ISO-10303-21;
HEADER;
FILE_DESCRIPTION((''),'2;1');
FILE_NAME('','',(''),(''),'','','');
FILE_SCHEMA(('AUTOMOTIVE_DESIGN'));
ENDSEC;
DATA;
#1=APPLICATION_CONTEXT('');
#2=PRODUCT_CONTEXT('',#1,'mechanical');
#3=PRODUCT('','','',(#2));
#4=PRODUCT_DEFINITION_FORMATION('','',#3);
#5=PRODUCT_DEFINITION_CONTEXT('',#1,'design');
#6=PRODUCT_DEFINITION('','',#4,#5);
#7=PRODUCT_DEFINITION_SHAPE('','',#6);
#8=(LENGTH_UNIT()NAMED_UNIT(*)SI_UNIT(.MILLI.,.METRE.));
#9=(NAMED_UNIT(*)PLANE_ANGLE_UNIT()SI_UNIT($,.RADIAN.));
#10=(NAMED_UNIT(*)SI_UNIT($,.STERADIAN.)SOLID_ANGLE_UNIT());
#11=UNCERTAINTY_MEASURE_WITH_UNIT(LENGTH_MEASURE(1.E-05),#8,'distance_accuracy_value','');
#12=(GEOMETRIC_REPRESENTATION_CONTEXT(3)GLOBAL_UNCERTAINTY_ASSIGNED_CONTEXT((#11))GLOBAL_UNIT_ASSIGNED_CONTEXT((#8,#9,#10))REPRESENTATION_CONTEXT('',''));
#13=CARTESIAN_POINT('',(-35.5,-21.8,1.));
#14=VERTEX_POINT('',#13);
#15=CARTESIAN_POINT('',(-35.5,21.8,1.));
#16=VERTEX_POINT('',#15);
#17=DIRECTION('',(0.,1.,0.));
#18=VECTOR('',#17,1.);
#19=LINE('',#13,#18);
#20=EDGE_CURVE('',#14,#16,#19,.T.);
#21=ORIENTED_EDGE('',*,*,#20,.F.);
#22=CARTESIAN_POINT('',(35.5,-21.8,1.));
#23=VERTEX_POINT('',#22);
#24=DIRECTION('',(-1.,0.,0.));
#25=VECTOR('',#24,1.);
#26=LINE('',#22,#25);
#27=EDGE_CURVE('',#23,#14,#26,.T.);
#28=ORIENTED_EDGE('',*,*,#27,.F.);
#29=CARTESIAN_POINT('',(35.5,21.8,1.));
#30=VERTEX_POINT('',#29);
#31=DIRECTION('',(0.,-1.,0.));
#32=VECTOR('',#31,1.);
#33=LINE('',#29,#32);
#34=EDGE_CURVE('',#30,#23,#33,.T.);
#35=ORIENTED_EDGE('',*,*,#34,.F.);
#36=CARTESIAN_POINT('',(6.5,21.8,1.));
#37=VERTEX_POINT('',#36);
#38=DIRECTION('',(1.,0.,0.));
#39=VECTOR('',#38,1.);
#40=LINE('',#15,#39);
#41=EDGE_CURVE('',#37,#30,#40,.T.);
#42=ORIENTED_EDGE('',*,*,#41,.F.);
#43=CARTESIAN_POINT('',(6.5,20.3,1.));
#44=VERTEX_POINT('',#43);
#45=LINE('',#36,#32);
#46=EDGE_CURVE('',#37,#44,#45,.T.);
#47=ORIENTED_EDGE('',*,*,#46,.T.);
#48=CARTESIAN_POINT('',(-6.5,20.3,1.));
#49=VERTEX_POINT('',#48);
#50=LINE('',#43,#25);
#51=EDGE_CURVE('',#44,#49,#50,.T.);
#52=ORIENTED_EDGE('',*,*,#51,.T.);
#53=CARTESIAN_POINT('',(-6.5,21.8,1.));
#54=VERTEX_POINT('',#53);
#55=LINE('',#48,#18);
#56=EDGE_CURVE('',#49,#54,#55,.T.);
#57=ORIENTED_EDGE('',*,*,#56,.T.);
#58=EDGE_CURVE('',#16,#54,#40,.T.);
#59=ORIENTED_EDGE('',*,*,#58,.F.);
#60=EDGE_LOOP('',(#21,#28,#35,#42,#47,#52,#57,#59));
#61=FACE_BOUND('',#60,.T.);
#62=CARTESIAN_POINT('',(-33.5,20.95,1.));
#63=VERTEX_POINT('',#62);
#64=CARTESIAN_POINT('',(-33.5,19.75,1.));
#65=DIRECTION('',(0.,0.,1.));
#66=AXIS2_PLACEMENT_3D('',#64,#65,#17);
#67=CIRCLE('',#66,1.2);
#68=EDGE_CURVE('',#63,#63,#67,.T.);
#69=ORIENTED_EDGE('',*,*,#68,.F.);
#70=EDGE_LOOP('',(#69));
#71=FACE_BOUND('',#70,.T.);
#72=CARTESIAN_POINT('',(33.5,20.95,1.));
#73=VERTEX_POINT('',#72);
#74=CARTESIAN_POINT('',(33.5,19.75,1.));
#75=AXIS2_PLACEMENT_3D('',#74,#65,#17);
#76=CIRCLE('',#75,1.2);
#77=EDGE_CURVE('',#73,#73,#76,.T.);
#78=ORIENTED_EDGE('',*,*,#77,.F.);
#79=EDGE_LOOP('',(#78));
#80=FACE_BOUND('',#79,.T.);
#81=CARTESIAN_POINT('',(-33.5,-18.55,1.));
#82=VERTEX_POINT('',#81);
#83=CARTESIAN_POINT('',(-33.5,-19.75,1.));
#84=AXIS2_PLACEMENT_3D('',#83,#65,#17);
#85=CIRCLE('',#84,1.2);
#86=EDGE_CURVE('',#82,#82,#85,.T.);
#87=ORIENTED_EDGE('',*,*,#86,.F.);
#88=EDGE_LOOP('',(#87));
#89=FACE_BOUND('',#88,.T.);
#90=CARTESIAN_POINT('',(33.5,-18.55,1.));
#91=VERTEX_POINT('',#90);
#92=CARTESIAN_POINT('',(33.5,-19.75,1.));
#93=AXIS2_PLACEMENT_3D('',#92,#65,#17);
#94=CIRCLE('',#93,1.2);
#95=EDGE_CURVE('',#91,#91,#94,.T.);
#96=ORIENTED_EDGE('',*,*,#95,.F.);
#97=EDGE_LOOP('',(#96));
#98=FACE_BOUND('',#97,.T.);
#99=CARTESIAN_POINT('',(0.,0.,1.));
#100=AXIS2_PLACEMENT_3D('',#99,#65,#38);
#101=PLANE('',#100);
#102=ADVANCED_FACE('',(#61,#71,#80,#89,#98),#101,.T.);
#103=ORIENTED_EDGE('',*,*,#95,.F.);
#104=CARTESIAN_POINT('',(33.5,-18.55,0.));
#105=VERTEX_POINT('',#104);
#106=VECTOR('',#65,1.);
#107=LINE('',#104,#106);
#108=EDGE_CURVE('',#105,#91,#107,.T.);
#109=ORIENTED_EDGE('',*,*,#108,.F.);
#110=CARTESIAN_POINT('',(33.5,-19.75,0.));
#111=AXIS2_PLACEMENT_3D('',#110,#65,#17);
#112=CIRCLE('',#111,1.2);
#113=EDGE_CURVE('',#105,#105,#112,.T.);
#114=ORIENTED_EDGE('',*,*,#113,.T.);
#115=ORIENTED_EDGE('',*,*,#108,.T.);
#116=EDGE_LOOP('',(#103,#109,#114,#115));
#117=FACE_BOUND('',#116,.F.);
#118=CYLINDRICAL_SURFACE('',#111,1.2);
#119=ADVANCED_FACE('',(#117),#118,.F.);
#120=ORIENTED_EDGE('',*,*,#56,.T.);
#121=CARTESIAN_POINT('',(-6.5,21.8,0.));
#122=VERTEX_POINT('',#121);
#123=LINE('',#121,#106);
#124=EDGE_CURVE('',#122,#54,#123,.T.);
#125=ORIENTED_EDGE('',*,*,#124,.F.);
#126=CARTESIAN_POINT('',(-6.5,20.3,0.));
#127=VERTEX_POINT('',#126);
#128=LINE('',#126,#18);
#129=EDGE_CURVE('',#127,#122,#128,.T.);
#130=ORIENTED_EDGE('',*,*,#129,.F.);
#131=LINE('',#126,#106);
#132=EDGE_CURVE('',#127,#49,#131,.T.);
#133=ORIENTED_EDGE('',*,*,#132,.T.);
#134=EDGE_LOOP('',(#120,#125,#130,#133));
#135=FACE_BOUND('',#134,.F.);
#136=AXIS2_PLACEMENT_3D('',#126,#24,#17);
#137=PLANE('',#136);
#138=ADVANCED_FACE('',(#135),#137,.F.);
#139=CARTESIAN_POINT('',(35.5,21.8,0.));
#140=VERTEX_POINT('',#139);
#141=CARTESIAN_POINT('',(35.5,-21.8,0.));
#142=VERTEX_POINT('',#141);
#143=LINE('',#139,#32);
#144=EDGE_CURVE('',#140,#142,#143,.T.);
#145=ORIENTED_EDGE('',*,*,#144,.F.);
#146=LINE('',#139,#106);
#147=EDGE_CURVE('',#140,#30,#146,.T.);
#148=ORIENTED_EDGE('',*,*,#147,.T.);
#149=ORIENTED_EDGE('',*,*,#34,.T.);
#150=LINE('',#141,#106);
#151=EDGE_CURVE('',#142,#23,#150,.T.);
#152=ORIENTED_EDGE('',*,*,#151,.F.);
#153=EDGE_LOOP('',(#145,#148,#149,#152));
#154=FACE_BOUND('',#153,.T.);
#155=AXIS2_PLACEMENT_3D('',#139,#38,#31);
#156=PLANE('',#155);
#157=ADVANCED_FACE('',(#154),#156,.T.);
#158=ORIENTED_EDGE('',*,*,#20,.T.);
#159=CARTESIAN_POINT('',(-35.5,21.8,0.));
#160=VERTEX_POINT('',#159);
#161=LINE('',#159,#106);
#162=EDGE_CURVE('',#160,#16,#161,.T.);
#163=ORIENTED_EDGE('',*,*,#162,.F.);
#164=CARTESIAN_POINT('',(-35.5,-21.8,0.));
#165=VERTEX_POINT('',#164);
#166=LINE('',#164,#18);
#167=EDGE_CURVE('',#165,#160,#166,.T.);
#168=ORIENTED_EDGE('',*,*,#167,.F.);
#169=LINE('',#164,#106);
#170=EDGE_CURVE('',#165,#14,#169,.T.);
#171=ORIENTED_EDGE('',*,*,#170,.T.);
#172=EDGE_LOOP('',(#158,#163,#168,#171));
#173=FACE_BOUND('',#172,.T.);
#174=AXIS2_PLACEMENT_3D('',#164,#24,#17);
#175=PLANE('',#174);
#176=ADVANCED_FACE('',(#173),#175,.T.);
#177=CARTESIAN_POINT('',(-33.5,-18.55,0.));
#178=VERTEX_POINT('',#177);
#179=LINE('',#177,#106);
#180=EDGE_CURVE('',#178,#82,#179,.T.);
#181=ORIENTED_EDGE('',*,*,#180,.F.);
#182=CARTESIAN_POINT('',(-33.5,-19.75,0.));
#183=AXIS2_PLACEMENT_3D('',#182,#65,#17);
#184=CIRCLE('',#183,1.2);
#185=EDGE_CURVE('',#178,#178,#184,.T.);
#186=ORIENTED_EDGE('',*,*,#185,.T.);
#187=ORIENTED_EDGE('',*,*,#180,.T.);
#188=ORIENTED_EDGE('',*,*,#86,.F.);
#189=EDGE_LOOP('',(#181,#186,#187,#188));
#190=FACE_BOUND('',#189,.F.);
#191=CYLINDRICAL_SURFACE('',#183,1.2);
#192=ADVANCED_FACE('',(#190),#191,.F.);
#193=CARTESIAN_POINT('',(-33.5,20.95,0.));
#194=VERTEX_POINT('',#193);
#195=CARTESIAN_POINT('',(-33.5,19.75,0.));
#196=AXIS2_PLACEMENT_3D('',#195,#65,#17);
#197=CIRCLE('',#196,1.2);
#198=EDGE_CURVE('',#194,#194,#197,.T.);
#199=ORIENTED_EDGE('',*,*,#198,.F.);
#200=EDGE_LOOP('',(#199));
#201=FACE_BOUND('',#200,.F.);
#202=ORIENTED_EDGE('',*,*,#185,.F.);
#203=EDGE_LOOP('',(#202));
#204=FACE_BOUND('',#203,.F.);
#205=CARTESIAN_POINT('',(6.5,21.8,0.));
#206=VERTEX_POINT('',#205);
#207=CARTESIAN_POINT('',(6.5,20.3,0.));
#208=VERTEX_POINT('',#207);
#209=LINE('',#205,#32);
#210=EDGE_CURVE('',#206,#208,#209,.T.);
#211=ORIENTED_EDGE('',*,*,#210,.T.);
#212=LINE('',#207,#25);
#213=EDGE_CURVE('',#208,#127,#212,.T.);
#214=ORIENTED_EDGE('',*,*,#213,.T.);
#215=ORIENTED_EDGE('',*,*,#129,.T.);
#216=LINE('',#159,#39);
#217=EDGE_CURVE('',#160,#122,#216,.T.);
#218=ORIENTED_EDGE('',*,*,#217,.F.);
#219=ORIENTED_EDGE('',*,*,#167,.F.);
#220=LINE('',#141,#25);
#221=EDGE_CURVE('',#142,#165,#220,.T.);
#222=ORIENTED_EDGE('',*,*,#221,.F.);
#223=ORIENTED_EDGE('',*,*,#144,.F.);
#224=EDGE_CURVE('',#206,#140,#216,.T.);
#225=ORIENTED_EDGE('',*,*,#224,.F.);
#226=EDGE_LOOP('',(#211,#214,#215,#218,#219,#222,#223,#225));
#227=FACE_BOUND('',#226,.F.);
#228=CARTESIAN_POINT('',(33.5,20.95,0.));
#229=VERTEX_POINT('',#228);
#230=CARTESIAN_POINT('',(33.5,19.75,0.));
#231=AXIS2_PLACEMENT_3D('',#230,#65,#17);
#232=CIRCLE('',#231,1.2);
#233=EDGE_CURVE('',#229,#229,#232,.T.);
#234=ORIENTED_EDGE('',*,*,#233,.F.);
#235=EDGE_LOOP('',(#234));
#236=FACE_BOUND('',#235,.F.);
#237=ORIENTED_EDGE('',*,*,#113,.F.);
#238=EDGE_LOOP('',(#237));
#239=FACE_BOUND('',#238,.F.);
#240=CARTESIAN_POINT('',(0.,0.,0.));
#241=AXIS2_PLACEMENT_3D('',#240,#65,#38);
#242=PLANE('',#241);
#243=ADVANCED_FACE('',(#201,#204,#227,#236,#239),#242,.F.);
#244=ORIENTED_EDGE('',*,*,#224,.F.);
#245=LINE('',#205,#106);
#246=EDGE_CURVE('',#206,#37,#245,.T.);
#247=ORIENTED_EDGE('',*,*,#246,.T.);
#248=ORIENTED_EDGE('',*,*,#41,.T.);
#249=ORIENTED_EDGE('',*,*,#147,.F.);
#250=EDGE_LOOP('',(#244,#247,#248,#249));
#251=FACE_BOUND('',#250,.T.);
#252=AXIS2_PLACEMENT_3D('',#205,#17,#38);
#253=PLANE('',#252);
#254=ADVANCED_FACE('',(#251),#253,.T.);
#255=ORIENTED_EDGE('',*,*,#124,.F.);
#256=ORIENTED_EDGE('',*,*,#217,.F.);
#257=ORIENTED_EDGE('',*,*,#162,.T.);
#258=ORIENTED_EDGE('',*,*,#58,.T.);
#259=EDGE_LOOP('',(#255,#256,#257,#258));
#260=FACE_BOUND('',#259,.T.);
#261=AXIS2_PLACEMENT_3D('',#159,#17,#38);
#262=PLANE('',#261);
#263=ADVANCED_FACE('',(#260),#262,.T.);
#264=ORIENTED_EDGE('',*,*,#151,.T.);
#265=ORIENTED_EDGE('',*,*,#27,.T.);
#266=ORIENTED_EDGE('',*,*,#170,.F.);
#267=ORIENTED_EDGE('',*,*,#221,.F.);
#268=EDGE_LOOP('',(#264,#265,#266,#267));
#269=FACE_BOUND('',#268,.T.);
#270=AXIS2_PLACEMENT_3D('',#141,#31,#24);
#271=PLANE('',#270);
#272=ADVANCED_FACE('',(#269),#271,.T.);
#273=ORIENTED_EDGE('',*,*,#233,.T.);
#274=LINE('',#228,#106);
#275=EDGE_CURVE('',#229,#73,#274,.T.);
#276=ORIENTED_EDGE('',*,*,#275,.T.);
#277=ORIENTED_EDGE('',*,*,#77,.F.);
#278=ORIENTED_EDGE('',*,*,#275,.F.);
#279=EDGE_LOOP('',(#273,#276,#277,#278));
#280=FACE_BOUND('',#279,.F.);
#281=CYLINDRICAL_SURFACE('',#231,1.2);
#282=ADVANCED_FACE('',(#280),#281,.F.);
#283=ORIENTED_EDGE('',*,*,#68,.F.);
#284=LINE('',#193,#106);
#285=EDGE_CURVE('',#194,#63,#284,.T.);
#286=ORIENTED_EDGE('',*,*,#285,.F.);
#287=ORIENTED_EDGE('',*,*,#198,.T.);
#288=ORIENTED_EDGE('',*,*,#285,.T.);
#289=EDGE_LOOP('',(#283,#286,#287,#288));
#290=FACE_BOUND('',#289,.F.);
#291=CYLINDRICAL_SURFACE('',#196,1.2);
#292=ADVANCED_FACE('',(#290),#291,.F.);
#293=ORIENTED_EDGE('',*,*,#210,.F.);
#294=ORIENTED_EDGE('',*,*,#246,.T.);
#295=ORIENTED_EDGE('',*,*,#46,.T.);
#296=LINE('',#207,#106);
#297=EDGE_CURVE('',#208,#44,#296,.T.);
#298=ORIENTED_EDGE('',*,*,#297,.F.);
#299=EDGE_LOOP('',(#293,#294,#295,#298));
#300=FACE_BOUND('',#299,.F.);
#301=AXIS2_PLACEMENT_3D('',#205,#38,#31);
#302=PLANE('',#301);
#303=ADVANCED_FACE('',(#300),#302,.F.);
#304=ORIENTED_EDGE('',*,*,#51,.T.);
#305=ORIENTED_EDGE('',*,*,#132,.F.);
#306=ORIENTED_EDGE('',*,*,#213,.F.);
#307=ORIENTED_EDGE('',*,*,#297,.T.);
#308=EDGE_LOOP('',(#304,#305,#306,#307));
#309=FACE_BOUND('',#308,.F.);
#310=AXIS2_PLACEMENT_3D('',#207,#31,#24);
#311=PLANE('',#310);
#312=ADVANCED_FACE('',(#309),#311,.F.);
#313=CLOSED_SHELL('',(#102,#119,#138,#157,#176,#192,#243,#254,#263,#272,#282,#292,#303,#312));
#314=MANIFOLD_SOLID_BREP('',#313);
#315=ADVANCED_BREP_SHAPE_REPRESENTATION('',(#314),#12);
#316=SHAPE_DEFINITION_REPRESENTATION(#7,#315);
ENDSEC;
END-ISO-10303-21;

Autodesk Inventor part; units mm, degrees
ref_plane "YZ Plane" through (0, 0, 0) normal (1, 0, 0) x (0, 1, 0)
ref_plane "XZ Plane" through (0, 0, 0) normal (0, 1, 0) x (-1, 0, 0)
ref_plane "XY Plane" through (0, 0, 0) normal (0, 0, 1) x (1, 0, 0)
sketch "Sketch1" plane through (0, 0, 0) normal (0, 0, 1) x (1, 0, 0)
  line L0 (-35.5, 21.8) -> (35.5, 21.8)
  line L1 (35.5, 21.8) -> (35.5, -21.8)
  line L2 (35.5, -21.8) -> (-35.5, -21.8)
  line L3 (-35.5, -21.8) -> (-35.5, 21.8)
  line L4 (-6.5, 21.8) -> (6.5, 21.8)
  line L5 (6.5, 21.8) -> (6.5, 20.3)
  line L6 (6.5, 20.3) -> (-6.5, 20.3)
  line L7 (-6.5, 20.3) -> (-6.5, 21.8)
  line L8 (-33.5, 19.75) -> (33.5, 19.75) construction
  line L9 (33.5, 19.75) -> (33.5, -19.75) construction
  line L10 (33.5, -19.75) -> (-33.5, -19.75) construction
  line L11 (-33.5, -19.75) -> (-33.5, 19.75) construction
  point P0 (0, 0)
  point P1 (0, 21.8)
  point P2 (35.5, 0)
  point P3 (0, 20.3)
  point P4 (33.5, 0)
  point P5 (0, -19.75)
  dimension "d0" = 43.6
  dimension "d1" = 71
  dimension "d2" = 13
  dimension "d3" = 1.5
  dimension "d4" = 67
  dimension "d5" = 39.5
extrude "Extrusion1" add sketch "Sketch1" along normal blind 1 contours L0 L7 L6 L5 L1 L2 L3
hole "Hole1" at (-33.5, 19.75, 0) at (33.5, 19.75, 0) at (33.5, -19.75, 0) at (-33.5, -19.75, 0) direction (0, 0, 1) diameter 2.4 end through all
properties part number "oled2.42-pcb"
